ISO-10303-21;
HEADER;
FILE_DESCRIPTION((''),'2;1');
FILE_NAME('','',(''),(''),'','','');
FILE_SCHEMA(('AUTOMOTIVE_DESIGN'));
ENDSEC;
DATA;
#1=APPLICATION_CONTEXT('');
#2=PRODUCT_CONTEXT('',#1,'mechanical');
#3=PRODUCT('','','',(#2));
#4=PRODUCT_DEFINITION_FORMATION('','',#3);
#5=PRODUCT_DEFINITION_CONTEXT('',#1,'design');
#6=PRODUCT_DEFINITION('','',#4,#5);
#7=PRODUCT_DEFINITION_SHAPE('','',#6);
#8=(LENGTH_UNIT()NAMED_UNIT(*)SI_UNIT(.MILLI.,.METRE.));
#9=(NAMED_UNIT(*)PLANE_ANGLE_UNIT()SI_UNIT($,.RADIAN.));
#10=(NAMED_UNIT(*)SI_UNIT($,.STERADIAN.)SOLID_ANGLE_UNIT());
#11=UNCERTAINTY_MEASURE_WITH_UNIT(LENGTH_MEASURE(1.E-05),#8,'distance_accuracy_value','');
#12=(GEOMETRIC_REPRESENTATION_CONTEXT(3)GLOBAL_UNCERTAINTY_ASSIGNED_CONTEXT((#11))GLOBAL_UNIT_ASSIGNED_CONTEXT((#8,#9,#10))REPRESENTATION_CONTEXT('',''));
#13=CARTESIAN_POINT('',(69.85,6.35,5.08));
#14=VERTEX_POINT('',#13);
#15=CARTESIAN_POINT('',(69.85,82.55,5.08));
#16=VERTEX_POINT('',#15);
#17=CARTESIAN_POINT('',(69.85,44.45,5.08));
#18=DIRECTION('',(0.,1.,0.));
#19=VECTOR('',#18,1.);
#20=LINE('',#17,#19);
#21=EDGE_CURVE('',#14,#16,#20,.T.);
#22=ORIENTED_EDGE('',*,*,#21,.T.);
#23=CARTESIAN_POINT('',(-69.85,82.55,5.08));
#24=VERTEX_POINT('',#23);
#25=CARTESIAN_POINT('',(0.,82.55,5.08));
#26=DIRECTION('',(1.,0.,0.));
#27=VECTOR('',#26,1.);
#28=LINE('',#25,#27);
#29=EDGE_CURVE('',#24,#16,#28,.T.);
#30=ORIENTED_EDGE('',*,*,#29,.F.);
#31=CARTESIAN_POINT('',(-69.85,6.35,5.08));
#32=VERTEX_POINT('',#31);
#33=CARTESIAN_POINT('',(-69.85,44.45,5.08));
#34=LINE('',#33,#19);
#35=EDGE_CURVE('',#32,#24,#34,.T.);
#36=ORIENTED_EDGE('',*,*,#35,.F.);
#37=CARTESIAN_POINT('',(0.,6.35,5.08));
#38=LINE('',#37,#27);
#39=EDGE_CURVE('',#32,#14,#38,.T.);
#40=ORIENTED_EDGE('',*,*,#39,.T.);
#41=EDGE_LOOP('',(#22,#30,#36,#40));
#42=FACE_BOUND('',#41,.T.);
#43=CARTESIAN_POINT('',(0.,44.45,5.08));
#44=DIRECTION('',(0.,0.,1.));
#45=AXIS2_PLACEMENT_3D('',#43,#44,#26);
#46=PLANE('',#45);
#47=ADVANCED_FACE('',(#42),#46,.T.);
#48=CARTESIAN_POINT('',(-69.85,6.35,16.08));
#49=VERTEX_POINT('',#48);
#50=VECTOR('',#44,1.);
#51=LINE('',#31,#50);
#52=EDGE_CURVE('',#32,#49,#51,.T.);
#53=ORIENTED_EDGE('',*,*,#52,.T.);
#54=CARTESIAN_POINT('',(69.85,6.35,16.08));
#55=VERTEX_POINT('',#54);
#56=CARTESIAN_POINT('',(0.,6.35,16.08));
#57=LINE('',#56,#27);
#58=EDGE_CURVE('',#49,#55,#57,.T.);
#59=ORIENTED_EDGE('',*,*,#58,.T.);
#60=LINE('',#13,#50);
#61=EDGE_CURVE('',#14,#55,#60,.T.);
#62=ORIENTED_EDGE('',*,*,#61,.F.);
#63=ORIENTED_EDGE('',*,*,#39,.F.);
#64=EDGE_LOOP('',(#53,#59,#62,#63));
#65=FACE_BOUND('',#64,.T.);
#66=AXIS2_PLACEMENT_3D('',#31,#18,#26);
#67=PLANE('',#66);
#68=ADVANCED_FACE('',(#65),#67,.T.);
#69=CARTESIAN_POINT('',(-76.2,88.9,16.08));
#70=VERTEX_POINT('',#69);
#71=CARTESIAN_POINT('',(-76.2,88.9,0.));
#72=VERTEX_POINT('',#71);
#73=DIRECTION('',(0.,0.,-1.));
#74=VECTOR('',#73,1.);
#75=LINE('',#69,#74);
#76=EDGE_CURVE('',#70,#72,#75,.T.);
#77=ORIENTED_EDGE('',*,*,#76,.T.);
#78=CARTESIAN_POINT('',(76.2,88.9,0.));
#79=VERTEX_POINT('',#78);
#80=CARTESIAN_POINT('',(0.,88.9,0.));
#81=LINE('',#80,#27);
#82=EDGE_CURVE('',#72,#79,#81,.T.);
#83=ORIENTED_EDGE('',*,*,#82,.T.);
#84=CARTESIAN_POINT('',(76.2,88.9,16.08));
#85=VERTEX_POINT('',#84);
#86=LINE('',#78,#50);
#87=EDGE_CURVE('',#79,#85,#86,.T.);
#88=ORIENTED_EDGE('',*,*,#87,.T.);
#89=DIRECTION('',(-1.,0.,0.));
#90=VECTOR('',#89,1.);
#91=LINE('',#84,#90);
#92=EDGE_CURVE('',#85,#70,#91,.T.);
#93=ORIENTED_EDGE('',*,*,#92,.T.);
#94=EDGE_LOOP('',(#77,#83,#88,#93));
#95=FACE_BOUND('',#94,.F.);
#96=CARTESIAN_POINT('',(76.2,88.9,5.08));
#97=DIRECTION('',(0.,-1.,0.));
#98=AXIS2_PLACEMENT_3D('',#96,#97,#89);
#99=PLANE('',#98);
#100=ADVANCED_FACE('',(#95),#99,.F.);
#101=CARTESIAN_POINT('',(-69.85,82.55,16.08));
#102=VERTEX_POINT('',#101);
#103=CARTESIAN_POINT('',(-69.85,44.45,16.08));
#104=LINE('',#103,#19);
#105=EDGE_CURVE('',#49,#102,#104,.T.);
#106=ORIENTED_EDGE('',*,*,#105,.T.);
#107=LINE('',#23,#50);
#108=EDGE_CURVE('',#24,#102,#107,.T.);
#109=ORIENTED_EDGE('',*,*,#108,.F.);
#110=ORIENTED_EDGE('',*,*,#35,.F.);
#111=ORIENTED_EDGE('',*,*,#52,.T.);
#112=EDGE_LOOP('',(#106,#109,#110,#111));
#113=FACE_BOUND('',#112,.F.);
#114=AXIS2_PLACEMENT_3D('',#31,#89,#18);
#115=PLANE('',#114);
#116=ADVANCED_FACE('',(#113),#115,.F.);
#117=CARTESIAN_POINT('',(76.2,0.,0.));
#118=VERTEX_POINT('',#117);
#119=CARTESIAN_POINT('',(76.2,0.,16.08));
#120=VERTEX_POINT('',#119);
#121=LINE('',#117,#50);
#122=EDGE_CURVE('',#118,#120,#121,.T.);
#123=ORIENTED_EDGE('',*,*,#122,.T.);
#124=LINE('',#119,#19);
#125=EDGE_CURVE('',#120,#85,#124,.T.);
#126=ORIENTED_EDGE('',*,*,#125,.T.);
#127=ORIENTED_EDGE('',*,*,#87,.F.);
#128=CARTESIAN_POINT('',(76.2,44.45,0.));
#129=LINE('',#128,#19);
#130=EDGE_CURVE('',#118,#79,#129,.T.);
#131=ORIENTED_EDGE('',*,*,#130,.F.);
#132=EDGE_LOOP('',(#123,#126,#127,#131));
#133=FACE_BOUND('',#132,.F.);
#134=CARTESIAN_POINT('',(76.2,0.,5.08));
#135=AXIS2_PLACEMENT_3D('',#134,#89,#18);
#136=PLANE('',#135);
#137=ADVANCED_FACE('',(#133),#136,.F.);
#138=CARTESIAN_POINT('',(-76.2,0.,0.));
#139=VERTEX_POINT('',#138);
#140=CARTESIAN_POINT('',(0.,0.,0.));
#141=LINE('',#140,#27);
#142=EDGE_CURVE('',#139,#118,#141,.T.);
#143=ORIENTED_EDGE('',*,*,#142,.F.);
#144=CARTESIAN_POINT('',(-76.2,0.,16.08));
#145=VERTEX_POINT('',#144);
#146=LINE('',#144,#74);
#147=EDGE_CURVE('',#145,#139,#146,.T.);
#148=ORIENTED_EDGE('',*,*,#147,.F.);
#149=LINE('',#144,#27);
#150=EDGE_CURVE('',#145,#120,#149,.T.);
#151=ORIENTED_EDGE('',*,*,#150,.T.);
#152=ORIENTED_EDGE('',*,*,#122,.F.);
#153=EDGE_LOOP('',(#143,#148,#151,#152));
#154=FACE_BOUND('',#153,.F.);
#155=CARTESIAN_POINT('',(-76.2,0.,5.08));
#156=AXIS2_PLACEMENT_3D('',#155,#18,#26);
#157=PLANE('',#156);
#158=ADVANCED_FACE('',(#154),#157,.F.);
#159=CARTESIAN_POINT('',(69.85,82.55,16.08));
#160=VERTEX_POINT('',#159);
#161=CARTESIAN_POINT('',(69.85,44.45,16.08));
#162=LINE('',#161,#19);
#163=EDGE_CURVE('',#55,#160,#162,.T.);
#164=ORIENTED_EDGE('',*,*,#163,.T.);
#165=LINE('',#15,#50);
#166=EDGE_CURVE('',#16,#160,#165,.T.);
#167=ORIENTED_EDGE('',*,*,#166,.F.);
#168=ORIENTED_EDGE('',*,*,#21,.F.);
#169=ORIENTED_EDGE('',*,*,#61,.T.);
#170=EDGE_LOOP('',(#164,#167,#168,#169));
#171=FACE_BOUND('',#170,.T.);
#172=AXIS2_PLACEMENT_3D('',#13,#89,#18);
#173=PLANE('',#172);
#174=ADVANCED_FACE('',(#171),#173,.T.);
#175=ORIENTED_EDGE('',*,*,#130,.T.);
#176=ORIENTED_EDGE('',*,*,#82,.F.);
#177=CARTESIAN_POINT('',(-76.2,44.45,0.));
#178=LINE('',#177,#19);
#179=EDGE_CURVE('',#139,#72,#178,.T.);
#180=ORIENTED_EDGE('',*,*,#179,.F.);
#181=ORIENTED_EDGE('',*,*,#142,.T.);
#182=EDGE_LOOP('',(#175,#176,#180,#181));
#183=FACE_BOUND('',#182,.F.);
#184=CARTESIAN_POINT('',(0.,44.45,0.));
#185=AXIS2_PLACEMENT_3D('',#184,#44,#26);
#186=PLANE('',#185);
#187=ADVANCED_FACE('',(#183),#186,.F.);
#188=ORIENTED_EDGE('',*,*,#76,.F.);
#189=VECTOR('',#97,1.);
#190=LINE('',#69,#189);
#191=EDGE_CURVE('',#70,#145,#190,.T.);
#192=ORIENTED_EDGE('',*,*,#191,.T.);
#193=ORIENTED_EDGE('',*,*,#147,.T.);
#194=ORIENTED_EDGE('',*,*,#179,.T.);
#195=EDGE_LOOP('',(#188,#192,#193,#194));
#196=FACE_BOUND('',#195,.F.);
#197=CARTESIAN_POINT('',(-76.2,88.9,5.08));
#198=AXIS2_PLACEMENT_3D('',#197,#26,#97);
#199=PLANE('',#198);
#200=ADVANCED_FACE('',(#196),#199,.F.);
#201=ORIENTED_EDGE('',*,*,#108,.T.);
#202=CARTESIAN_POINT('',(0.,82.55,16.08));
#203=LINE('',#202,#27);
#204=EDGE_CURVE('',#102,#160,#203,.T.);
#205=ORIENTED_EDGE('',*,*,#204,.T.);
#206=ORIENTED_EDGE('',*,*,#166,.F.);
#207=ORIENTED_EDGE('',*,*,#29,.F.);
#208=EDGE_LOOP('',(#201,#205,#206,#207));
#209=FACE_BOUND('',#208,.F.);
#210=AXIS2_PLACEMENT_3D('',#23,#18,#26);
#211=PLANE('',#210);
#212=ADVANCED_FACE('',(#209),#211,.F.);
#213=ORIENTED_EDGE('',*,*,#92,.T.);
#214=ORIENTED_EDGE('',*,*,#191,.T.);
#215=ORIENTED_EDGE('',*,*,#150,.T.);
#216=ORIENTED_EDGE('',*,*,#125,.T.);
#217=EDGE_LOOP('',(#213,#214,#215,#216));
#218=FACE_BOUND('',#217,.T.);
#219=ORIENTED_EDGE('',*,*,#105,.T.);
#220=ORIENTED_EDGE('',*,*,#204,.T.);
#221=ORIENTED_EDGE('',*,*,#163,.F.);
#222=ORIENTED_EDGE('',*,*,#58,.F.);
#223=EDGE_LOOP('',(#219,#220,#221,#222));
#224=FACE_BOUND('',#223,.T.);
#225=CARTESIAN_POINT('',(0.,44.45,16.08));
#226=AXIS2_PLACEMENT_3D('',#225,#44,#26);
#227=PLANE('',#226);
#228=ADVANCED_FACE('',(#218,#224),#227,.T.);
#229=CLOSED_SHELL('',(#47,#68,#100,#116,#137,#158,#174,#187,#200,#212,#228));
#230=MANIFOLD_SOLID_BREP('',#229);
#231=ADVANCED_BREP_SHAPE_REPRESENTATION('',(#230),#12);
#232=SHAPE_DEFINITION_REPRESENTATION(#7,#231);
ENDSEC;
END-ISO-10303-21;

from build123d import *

# Parameters (mm, degrees)
F0_W     = 152.4
F0_H     = 88.9
F1_DEPTH = 5.08
F2_W     = 139.7
F2_H     = 76.2
F3_DEPTH = 11


with BuildPart() as f1:
    # F0 (on Top) → F1 (new body)
    with BuildSketch(Plane.XY):
        with Locations((0, 44.45)):
            Rectangle(F0_W, F0_H)
    extrude(amount=F1_DEPTH)

    # F2 (on face) → F3 (join)
    with BuildSketch(Plane.XY.offset(5.08)):
        Polygon((-76.2, 0), (0, 0), (76.2, 0), (76.2, 44.45), (76.2, 88.9), (0, 88.9), (-76.2, 88.9), (-76.2, 44.45), align=None)
        with Locations((0, 44.45)):
            Rectangle(F2_W, F2_H, mode=Mode.SUBTRACT)
    extrude(amount=F3_DEPTH)


solid = f1.part
